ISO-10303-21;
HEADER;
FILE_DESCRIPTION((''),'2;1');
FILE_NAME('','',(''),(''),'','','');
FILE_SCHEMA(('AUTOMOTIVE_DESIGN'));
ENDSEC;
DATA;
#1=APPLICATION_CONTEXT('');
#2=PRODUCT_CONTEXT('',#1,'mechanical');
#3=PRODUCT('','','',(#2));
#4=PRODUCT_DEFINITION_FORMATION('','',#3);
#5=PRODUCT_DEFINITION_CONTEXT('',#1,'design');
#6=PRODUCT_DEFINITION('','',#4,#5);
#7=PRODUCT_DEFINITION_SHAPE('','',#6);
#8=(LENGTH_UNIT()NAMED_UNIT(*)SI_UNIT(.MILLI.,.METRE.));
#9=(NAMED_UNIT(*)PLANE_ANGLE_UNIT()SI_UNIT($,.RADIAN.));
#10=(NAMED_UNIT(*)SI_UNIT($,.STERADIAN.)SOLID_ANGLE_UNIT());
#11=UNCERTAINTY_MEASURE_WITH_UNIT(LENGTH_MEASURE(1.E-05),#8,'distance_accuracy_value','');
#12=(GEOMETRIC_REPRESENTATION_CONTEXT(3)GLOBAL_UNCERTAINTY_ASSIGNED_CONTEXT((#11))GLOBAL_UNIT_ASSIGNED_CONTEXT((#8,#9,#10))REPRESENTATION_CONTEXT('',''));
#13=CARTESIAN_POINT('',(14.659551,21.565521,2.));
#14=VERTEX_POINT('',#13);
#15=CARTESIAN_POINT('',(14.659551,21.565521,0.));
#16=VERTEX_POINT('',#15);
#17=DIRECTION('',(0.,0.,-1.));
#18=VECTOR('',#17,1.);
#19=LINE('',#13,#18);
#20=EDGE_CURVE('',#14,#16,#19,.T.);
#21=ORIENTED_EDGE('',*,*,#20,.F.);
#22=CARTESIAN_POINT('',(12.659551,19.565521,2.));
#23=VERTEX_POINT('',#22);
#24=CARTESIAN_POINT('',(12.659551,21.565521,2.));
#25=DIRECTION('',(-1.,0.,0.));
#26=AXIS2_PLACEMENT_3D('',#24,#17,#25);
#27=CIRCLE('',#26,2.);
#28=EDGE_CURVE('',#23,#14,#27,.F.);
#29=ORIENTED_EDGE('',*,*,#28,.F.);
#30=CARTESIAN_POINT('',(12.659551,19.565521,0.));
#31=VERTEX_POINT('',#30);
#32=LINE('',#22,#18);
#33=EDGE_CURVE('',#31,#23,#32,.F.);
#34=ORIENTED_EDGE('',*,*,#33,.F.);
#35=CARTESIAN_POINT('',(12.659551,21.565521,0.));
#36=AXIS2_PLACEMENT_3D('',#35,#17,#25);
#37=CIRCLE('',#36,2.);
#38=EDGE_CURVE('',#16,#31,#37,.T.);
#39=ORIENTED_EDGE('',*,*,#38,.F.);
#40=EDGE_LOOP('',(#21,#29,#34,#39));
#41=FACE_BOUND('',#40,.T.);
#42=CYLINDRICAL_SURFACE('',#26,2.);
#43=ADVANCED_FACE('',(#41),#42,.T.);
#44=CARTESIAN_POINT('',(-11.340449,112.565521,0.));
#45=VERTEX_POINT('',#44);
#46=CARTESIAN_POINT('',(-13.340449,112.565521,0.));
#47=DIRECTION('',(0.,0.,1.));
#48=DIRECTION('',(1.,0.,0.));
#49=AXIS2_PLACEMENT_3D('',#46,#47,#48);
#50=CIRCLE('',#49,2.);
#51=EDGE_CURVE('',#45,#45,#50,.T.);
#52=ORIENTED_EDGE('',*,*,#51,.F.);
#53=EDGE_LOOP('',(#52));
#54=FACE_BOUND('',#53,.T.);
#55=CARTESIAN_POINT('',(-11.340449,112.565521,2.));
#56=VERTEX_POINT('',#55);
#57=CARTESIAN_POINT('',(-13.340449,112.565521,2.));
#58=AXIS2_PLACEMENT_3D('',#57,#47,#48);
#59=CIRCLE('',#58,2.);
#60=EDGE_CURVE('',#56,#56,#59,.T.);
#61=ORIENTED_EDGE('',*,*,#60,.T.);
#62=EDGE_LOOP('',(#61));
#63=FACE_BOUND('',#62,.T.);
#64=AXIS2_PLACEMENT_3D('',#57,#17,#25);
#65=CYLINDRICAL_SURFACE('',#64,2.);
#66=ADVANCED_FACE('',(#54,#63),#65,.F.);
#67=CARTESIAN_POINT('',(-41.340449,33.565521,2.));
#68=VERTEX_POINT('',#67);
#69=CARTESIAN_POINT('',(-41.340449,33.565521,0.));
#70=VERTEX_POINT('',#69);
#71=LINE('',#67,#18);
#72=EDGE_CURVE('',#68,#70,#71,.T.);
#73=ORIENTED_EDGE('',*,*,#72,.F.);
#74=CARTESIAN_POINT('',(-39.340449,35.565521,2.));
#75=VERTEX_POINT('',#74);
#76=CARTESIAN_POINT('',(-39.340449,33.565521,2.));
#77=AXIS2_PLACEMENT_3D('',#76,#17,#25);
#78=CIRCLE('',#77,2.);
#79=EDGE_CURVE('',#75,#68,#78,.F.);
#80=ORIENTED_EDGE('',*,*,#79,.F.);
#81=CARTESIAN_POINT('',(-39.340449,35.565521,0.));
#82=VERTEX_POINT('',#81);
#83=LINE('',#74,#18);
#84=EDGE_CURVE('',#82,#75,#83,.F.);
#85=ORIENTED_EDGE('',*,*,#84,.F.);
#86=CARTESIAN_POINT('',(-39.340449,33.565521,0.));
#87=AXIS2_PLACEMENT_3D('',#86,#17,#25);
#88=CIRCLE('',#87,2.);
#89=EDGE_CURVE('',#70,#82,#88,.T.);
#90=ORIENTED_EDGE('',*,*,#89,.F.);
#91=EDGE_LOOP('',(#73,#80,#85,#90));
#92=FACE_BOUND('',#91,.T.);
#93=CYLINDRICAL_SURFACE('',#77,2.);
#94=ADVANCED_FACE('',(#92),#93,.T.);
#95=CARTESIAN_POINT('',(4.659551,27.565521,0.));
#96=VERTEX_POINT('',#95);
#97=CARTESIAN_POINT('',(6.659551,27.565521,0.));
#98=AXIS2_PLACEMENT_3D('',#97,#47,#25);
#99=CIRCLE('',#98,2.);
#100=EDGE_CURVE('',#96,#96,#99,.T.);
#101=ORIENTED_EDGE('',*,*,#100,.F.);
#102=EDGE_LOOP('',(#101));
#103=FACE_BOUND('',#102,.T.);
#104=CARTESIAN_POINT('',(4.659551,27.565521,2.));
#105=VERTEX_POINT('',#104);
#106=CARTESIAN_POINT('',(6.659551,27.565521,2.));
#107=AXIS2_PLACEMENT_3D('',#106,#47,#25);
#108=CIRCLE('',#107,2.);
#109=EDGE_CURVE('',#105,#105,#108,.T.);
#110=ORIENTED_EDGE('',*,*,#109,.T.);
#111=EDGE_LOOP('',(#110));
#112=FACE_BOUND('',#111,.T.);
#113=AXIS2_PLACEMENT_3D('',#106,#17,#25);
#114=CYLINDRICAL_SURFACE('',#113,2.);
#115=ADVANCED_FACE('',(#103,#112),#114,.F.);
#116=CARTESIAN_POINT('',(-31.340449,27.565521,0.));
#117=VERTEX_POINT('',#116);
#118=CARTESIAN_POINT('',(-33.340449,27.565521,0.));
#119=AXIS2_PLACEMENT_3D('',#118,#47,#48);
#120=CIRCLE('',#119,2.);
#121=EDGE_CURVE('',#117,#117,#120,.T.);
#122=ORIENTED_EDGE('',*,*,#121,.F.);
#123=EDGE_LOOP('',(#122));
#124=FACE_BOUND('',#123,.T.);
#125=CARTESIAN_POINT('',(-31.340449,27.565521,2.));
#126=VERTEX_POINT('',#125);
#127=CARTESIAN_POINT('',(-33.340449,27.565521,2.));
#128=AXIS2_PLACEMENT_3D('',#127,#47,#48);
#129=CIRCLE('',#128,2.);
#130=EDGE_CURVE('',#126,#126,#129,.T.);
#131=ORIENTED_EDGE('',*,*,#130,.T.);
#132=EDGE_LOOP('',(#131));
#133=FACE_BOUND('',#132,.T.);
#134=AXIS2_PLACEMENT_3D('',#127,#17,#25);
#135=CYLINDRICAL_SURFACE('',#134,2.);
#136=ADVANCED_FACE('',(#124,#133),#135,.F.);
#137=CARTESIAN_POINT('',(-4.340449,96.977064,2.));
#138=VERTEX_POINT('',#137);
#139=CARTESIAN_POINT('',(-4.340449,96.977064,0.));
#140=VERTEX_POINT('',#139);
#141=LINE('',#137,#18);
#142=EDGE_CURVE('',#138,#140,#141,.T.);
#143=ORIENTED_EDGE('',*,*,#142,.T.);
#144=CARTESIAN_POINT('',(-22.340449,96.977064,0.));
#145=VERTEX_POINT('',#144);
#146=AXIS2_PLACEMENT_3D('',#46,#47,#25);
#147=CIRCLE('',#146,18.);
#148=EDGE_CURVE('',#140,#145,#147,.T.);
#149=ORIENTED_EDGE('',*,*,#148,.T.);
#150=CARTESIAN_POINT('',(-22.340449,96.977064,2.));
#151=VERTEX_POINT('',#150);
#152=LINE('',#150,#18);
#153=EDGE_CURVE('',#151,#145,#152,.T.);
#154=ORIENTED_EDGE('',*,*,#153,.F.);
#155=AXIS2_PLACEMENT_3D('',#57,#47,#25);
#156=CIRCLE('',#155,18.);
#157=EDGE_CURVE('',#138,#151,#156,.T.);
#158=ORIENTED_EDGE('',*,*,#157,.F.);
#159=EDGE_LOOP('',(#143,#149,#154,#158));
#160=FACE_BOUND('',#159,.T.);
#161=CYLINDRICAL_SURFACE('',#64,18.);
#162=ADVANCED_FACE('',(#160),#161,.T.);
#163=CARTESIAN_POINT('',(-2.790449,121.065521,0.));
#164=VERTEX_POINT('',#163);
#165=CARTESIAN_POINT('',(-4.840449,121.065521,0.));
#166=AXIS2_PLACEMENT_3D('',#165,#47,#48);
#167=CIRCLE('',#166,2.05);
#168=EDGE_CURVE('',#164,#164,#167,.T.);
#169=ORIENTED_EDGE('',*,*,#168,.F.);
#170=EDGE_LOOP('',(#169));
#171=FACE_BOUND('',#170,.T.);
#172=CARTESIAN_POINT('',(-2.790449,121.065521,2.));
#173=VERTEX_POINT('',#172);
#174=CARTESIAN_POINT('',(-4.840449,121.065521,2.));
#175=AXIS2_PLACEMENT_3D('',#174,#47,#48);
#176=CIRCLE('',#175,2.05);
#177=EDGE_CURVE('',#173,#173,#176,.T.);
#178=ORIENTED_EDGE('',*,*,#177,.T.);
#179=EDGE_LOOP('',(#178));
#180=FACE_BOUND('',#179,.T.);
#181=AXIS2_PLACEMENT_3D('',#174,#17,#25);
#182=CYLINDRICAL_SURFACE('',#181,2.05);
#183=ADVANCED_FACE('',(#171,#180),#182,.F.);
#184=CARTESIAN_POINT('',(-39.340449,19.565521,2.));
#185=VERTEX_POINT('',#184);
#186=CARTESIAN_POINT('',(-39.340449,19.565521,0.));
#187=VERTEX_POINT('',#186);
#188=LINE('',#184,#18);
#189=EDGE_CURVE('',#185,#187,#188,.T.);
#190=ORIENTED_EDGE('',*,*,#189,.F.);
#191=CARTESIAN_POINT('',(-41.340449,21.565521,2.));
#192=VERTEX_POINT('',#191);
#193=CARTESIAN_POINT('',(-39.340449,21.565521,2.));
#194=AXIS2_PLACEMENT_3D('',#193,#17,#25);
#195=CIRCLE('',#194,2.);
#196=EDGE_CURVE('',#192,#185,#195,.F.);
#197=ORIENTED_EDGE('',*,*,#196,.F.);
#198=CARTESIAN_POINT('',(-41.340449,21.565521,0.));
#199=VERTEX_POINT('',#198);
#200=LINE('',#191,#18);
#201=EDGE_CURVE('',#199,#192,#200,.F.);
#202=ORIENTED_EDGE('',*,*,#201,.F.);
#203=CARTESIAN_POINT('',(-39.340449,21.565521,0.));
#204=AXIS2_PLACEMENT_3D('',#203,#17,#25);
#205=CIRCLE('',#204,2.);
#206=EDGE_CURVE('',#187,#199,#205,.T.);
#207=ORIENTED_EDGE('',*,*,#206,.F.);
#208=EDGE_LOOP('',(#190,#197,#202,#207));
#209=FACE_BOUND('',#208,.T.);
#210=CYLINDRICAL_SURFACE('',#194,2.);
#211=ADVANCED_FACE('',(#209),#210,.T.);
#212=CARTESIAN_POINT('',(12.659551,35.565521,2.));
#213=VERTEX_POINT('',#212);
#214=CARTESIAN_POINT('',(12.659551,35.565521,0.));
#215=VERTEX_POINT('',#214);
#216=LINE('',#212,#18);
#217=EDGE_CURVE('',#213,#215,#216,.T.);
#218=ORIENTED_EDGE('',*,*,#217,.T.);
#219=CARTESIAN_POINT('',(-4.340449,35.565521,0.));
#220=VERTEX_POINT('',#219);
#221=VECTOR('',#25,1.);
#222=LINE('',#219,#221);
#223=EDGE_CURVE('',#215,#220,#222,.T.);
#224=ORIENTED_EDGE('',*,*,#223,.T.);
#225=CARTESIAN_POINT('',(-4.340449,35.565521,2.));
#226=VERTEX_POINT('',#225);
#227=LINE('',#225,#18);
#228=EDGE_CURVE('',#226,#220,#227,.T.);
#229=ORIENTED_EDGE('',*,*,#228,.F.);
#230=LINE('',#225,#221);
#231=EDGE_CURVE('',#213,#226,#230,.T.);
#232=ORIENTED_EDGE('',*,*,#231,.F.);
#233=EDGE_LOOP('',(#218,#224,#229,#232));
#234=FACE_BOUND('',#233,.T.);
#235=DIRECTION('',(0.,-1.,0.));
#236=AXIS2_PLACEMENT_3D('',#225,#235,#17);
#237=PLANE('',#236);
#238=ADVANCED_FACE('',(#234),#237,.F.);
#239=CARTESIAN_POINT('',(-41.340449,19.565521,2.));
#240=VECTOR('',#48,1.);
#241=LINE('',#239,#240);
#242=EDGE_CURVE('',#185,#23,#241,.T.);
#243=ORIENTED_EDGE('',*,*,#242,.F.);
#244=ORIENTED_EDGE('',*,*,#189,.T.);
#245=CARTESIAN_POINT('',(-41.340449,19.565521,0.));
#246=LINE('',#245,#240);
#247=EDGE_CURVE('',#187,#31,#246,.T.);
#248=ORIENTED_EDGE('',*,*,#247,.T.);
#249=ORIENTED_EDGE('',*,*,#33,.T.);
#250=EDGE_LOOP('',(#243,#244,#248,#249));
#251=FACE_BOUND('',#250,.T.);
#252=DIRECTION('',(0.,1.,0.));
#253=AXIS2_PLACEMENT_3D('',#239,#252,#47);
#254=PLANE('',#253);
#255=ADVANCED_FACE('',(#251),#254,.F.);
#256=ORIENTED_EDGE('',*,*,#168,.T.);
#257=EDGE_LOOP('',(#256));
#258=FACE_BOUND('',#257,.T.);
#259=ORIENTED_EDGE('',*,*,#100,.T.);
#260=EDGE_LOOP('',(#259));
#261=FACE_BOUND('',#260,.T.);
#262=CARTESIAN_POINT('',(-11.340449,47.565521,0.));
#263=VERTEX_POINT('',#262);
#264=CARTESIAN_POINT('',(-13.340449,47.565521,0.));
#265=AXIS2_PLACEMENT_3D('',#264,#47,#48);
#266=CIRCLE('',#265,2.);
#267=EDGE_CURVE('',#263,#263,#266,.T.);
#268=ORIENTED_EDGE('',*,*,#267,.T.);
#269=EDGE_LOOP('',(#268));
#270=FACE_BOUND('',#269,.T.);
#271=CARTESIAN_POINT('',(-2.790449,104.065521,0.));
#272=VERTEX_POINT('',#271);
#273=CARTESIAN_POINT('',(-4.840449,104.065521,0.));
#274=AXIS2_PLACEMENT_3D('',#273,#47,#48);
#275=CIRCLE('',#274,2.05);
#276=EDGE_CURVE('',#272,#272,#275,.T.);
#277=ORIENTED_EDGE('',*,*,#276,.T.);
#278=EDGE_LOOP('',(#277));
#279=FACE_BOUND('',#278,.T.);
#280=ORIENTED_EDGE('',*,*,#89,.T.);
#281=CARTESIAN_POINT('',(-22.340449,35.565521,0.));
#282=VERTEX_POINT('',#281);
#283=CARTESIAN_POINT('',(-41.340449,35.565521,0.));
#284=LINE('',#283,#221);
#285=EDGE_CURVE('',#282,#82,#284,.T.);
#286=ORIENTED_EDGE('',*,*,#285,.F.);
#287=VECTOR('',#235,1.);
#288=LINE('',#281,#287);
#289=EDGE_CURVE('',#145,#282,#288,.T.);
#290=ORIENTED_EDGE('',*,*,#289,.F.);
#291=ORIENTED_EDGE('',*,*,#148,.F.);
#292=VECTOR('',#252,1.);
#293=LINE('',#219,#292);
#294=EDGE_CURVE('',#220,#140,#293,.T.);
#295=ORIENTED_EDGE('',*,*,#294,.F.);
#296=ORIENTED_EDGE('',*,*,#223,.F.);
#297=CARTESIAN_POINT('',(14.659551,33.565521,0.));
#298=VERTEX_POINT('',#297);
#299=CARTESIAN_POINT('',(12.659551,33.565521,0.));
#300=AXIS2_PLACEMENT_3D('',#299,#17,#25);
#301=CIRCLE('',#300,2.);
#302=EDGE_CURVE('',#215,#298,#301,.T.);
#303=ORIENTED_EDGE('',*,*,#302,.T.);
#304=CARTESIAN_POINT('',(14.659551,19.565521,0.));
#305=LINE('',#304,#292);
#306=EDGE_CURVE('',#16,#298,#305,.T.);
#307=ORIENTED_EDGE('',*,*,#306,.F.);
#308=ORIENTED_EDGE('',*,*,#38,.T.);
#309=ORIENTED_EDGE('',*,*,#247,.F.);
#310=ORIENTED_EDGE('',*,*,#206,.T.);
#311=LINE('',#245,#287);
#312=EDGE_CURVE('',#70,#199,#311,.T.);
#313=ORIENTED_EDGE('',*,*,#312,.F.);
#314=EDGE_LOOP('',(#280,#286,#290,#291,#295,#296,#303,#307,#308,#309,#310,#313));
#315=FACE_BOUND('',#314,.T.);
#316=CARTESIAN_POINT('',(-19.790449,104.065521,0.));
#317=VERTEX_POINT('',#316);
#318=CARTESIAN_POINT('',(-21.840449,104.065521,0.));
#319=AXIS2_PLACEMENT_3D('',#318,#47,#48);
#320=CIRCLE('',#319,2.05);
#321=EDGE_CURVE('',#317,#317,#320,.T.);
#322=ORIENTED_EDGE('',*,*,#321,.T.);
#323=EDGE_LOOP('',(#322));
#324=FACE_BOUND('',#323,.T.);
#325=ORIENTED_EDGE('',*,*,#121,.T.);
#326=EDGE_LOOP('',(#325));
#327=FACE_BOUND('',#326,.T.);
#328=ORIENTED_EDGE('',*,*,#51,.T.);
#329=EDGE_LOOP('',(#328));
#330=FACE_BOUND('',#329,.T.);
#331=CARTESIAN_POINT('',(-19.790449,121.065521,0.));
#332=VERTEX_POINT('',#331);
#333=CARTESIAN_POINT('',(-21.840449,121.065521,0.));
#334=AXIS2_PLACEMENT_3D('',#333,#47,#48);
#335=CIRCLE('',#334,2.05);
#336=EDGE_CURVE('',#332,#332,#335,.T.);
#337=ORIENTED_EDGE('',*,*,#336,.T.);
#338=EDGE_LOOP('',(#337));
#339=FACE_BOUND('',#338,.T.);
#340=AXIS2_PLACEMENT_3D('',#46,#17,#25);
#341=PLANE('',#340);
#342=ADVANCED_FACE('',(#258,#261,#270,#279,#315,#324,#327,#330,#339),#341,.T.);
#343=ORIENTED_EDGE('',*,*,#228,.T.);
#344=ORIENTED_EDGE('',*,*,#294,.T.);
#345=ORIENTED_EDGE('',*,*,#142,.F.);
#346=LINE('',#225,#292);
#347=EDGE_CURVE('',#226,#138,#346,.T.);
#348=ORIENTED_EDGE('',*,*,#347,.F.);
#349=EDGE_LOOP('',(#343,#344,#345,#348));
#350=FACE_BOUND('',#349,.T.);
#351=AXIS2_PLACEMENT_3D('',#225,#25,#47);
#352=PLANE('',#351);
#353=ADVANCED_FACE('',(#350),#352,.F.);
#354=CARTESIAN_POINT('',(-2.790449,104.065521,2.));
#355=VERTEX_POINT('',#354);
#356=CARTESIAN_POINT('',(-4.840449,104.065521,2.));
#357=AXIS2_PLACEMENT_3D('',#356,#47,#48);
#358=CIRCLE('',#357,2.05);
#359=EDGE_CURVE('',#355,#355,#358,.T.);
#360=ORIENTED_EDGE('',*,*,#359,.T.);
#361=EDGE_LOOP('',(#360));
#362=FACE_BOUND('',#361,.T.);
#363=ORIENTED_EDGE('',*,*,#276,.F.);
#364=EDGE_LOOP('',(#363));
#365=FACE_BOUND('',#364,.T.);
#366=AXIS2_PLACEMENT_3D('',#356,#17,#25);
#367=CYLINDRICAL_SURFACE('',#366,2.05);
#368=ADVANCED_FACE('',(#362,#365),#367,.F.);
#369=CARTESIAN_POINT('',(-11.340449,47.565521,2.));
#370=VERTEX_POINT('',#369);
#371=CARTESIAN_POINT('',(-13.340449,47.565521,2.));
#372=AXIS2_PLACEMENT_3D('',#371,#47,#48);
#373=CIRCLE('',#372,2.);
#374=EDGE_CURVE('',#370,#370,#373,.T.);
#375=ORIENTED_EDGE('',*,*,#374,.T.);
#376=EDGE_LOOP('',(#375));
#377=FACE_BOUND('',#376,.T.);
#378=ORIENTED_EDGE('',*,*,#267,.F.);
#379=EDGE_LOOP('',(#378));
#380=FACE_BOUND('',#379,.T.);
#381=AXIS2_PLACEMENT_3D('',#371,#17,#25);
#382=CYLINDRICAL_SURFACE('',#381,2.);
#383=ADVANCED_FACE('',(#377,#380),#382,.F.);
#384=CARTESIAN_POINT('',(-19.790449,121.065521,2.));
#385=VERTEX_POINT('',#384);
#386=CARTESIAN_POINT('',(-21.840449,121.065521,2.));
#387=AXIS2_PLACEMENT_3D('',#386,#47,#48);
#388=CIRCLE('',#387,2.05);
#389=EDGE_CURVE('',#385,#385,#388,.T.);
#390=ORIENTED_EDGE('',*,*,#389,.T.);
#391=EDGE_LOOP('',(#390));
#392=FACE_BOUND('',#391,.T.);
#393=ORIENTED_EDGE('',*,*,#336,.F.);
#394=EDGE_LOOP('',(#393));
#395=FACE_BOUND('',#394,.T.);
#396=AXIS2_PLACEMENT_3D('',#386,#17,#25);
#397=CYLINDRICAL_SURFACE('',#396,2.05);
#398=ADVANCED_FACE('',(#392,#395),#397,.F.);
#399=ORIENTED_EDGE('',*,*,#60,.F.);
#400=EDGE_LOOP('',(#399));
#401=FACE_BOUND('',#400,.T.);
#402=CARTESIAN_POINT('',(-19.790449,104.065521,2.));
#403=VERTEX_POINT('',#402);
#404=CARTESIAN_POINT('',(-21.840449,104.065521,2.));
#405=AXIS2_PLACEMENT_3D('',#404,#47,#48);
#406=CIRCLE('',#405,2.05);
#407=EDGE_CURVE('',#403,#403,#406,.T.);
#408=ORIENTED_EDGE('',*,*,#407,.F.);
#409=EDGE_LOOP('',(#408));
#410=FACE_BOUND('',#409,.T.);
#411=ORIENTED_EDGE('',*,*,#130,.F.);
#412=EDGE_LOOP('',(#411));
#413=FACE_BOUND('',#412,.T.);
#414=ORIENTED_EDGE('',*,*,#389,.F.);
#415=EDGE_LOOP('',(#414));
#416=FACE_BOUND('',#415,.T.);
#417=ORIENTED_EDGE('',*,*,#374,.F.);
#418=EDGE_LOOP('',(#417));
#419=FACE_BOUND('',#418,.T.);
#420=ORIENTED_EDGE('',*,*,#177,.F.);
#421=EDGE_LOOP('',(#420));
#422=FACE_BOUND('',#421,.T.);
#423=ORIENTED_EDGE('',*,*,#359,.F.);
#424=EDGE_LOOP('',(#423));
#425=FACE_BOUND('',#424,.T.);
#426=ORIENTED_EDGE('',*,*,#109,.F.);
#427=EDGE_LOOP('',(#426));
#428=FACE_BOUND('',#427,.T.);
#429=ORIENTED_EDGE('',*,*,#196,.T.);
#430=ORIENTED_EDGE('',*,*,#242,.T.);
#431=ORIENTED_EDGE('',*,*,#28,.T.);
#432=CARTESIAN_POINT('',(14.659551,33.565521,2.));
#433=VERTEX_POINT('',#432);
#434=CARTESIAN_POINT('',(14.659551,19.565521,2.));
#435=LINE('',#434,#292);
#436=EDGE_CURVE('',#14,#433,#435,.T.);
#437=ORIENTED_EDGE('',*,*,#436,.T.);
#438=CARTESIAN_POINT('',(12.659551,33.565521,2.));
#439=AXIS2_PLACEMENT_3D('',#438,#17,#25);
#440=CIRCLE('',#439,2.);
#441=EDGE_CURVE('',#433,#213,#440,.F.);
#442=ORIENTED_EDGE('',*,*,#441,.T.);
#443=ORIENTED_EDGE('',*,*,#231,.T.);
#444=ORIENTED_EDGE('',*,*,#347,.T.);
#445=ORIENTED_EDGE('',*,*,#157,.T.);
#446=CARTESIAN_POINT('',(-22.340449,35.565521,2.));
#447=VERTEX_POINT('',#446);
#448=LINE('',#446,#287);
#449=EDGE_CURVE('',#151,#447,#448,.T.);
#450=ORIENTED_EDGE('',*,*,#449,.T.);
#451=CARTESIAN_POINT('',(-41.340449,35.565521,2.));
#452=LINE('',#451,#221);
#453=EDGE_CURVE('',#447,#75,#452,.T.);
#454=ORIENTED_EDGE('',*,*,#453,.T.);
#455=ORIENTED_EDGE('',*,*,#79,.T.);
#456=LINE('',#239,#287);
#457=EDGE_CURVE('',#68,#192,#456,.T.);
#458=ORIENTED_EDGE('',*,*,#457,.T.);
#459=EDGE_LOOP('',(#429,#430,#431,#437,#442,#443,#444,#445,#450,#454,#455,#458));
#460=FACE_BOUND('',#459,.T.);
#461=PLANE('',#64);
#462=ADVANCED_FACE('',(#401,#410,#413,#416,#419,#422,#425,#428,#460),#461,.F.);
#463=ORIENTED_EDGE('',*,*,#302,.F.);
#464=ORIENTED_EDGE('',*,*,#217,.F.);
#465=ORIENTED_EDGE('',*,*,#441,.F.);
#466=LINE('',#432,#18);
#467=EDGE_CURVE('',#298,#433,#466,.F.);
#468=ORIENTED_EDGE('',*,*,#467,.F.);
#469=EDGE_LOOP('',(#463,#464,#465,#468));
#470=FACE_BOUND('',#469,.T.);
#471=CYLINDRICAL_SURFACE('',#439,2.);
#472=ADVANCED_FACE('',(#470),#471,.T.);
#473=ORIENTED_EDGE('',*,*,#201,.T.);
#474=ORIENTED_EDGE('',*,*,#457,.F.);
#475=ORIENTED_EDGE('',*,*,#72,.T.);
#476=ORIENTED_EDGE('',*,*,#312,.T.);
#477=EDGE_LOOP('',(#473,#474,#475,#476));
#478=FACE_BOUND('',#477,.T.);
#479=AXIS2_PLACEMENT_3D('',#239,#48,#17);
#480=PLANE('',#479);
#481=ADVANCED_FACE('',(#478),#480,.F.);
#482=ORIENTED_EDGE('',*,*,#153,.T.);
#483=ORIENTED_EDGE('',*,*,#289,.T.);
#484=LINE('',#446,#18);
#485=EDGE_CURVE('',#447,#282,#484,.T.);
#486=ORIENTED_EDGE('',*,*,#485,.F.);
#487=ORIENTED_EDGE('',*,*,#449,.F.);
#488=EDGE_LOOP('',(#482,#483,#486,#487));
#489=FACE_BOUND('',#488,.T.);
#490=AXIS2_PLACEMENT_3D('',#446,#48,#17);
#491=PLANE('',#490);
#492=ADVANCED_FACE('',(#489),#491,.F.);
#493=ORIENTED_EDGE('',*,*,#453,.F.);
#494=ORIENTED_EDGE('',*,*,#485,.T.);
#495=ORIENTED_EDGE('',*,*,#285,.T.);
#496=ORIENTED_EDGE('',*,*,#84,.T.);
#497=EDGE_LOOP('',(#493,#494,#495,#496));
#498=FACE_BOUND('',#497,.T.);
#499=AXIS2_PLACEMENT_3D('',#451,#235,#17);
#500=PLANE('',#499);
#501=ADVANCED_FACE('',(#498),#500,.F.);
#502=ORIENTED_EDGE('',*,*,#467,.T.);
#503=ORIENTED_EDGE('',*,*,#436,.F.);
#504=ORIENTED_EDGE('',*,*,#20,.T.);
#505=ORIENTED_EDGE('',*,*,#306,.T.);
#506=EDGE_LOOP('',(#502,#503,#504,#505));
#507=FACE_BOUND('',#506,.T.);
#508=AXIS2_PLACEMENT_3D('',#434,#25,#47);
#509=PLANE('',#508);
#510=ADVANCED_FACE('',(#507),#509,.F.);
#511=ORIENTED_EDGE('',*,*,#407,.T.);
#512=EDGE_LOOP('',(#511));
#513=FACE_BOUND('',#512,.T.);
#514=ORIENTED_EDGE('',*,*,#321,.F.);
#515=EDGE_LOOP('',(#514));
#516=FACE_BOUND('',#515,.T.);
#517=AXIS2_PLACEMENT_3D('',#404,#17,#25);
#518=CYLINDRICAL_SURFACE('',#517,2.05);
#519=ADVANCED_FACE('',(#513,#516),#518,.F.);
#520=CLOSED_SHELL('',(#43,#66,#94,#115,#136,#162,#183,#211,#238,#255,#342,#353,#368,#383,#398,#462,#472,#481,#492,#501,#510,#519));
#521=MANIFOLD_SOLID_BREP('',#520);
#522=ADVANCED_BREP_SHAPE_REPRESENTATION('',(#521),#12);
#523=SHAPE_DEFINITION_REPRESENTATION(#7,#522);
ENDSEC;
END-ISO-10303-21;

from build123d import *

# Parameters (mm, degrees)
SKETCH_1_R      = 2
SKETCH_1_R_2    = 2.05
EXTRUDE_1_DEPTH = 2
FILLET_1_R      = 2


with BuildPart() as part:
    # 草图1 → 凸台-拉伸1 (new body)
    with BuildSketch(Plane.XY):
        with BuildLine():
            Line((14.659550972, 19.565520938), (14.659550972, 35.565520938))
            Line((14.659550972, 35.565520938), (-4.340449028, 35.565520938))
            Line((-4.340449028, 35.565520938), (-4.340449028, 96.97706367))
            ThreePointArc((-4.340449028, 96.97706367), (-13.340449028, 130.565520938), (-22.340449028, 96.97706367))
            Line((-22.340449028, 96.97706367), (-22.340449028, 35.565520938))
            Line((-22.340449028, 35.565520938), (-41.340449028, 35.565520938))
            Line((-41.340449028, 35.565520938), (-41.340449028, 19.565520938))
            Line((-41.340449028, 19.565520938), (14.659550972, 19.565520938))
        make_face()
        with Locations((-33.340449028, 27.565520938)):
            Circle(SKETCH_1_R, mode=Mode.SUBTRACT)
        with Locations(Location((6.659550972, 27.565520938, 0), (0, 0, 180))):
            Circle(SKETCH_1_R, mode=Mode.SUBTRACT)
        with Locations((-13.340449028, 112.565520938)):
            Circle(SKETCH_1_R, mode=Mode.SUBTRACT)
        with Locations((-13.340449028, 47.565520938)):
            Circle(SKETCH_1_R, mode=Mode.SUBTRACT)
        with Locations((-4.840449028, 121.065520938)):
            Circle(SKETCH_1_R_2, mode=Mode.SUBTRACT)
        with Locations((-4.840449028, 104.065520938)):
            Circle(SKETCH_1_R_2, mode=Mode.SUBTRACT)
        with Locations((-21.840449028, 104.065520938)):
            Circle(SKETCH_1_R_2, mode=Mode.SUBTRACT)
        with Locations((-21.840449028, 121.065520938)):
            Circle(SKETCH_1_R_2, mode=Mode.SUBTRACT)
    extrude(amount=EXTRUDE_1_DEPTH)

    # 圆角1
    fillet_1_edges = [part.edges().sort_by_distance(p)[0] for p in [
        (-41.340449028, 19.565520938, 1),
        (-41.340449028, 35.565520938, 1),
        (14.659550972, 35.565520938, 1),
        (14.659550972, 19.565520938, 1),
    ]]
    fillet(fillet_1_edges, radius=FILLET_1_R)


solid = part.part
